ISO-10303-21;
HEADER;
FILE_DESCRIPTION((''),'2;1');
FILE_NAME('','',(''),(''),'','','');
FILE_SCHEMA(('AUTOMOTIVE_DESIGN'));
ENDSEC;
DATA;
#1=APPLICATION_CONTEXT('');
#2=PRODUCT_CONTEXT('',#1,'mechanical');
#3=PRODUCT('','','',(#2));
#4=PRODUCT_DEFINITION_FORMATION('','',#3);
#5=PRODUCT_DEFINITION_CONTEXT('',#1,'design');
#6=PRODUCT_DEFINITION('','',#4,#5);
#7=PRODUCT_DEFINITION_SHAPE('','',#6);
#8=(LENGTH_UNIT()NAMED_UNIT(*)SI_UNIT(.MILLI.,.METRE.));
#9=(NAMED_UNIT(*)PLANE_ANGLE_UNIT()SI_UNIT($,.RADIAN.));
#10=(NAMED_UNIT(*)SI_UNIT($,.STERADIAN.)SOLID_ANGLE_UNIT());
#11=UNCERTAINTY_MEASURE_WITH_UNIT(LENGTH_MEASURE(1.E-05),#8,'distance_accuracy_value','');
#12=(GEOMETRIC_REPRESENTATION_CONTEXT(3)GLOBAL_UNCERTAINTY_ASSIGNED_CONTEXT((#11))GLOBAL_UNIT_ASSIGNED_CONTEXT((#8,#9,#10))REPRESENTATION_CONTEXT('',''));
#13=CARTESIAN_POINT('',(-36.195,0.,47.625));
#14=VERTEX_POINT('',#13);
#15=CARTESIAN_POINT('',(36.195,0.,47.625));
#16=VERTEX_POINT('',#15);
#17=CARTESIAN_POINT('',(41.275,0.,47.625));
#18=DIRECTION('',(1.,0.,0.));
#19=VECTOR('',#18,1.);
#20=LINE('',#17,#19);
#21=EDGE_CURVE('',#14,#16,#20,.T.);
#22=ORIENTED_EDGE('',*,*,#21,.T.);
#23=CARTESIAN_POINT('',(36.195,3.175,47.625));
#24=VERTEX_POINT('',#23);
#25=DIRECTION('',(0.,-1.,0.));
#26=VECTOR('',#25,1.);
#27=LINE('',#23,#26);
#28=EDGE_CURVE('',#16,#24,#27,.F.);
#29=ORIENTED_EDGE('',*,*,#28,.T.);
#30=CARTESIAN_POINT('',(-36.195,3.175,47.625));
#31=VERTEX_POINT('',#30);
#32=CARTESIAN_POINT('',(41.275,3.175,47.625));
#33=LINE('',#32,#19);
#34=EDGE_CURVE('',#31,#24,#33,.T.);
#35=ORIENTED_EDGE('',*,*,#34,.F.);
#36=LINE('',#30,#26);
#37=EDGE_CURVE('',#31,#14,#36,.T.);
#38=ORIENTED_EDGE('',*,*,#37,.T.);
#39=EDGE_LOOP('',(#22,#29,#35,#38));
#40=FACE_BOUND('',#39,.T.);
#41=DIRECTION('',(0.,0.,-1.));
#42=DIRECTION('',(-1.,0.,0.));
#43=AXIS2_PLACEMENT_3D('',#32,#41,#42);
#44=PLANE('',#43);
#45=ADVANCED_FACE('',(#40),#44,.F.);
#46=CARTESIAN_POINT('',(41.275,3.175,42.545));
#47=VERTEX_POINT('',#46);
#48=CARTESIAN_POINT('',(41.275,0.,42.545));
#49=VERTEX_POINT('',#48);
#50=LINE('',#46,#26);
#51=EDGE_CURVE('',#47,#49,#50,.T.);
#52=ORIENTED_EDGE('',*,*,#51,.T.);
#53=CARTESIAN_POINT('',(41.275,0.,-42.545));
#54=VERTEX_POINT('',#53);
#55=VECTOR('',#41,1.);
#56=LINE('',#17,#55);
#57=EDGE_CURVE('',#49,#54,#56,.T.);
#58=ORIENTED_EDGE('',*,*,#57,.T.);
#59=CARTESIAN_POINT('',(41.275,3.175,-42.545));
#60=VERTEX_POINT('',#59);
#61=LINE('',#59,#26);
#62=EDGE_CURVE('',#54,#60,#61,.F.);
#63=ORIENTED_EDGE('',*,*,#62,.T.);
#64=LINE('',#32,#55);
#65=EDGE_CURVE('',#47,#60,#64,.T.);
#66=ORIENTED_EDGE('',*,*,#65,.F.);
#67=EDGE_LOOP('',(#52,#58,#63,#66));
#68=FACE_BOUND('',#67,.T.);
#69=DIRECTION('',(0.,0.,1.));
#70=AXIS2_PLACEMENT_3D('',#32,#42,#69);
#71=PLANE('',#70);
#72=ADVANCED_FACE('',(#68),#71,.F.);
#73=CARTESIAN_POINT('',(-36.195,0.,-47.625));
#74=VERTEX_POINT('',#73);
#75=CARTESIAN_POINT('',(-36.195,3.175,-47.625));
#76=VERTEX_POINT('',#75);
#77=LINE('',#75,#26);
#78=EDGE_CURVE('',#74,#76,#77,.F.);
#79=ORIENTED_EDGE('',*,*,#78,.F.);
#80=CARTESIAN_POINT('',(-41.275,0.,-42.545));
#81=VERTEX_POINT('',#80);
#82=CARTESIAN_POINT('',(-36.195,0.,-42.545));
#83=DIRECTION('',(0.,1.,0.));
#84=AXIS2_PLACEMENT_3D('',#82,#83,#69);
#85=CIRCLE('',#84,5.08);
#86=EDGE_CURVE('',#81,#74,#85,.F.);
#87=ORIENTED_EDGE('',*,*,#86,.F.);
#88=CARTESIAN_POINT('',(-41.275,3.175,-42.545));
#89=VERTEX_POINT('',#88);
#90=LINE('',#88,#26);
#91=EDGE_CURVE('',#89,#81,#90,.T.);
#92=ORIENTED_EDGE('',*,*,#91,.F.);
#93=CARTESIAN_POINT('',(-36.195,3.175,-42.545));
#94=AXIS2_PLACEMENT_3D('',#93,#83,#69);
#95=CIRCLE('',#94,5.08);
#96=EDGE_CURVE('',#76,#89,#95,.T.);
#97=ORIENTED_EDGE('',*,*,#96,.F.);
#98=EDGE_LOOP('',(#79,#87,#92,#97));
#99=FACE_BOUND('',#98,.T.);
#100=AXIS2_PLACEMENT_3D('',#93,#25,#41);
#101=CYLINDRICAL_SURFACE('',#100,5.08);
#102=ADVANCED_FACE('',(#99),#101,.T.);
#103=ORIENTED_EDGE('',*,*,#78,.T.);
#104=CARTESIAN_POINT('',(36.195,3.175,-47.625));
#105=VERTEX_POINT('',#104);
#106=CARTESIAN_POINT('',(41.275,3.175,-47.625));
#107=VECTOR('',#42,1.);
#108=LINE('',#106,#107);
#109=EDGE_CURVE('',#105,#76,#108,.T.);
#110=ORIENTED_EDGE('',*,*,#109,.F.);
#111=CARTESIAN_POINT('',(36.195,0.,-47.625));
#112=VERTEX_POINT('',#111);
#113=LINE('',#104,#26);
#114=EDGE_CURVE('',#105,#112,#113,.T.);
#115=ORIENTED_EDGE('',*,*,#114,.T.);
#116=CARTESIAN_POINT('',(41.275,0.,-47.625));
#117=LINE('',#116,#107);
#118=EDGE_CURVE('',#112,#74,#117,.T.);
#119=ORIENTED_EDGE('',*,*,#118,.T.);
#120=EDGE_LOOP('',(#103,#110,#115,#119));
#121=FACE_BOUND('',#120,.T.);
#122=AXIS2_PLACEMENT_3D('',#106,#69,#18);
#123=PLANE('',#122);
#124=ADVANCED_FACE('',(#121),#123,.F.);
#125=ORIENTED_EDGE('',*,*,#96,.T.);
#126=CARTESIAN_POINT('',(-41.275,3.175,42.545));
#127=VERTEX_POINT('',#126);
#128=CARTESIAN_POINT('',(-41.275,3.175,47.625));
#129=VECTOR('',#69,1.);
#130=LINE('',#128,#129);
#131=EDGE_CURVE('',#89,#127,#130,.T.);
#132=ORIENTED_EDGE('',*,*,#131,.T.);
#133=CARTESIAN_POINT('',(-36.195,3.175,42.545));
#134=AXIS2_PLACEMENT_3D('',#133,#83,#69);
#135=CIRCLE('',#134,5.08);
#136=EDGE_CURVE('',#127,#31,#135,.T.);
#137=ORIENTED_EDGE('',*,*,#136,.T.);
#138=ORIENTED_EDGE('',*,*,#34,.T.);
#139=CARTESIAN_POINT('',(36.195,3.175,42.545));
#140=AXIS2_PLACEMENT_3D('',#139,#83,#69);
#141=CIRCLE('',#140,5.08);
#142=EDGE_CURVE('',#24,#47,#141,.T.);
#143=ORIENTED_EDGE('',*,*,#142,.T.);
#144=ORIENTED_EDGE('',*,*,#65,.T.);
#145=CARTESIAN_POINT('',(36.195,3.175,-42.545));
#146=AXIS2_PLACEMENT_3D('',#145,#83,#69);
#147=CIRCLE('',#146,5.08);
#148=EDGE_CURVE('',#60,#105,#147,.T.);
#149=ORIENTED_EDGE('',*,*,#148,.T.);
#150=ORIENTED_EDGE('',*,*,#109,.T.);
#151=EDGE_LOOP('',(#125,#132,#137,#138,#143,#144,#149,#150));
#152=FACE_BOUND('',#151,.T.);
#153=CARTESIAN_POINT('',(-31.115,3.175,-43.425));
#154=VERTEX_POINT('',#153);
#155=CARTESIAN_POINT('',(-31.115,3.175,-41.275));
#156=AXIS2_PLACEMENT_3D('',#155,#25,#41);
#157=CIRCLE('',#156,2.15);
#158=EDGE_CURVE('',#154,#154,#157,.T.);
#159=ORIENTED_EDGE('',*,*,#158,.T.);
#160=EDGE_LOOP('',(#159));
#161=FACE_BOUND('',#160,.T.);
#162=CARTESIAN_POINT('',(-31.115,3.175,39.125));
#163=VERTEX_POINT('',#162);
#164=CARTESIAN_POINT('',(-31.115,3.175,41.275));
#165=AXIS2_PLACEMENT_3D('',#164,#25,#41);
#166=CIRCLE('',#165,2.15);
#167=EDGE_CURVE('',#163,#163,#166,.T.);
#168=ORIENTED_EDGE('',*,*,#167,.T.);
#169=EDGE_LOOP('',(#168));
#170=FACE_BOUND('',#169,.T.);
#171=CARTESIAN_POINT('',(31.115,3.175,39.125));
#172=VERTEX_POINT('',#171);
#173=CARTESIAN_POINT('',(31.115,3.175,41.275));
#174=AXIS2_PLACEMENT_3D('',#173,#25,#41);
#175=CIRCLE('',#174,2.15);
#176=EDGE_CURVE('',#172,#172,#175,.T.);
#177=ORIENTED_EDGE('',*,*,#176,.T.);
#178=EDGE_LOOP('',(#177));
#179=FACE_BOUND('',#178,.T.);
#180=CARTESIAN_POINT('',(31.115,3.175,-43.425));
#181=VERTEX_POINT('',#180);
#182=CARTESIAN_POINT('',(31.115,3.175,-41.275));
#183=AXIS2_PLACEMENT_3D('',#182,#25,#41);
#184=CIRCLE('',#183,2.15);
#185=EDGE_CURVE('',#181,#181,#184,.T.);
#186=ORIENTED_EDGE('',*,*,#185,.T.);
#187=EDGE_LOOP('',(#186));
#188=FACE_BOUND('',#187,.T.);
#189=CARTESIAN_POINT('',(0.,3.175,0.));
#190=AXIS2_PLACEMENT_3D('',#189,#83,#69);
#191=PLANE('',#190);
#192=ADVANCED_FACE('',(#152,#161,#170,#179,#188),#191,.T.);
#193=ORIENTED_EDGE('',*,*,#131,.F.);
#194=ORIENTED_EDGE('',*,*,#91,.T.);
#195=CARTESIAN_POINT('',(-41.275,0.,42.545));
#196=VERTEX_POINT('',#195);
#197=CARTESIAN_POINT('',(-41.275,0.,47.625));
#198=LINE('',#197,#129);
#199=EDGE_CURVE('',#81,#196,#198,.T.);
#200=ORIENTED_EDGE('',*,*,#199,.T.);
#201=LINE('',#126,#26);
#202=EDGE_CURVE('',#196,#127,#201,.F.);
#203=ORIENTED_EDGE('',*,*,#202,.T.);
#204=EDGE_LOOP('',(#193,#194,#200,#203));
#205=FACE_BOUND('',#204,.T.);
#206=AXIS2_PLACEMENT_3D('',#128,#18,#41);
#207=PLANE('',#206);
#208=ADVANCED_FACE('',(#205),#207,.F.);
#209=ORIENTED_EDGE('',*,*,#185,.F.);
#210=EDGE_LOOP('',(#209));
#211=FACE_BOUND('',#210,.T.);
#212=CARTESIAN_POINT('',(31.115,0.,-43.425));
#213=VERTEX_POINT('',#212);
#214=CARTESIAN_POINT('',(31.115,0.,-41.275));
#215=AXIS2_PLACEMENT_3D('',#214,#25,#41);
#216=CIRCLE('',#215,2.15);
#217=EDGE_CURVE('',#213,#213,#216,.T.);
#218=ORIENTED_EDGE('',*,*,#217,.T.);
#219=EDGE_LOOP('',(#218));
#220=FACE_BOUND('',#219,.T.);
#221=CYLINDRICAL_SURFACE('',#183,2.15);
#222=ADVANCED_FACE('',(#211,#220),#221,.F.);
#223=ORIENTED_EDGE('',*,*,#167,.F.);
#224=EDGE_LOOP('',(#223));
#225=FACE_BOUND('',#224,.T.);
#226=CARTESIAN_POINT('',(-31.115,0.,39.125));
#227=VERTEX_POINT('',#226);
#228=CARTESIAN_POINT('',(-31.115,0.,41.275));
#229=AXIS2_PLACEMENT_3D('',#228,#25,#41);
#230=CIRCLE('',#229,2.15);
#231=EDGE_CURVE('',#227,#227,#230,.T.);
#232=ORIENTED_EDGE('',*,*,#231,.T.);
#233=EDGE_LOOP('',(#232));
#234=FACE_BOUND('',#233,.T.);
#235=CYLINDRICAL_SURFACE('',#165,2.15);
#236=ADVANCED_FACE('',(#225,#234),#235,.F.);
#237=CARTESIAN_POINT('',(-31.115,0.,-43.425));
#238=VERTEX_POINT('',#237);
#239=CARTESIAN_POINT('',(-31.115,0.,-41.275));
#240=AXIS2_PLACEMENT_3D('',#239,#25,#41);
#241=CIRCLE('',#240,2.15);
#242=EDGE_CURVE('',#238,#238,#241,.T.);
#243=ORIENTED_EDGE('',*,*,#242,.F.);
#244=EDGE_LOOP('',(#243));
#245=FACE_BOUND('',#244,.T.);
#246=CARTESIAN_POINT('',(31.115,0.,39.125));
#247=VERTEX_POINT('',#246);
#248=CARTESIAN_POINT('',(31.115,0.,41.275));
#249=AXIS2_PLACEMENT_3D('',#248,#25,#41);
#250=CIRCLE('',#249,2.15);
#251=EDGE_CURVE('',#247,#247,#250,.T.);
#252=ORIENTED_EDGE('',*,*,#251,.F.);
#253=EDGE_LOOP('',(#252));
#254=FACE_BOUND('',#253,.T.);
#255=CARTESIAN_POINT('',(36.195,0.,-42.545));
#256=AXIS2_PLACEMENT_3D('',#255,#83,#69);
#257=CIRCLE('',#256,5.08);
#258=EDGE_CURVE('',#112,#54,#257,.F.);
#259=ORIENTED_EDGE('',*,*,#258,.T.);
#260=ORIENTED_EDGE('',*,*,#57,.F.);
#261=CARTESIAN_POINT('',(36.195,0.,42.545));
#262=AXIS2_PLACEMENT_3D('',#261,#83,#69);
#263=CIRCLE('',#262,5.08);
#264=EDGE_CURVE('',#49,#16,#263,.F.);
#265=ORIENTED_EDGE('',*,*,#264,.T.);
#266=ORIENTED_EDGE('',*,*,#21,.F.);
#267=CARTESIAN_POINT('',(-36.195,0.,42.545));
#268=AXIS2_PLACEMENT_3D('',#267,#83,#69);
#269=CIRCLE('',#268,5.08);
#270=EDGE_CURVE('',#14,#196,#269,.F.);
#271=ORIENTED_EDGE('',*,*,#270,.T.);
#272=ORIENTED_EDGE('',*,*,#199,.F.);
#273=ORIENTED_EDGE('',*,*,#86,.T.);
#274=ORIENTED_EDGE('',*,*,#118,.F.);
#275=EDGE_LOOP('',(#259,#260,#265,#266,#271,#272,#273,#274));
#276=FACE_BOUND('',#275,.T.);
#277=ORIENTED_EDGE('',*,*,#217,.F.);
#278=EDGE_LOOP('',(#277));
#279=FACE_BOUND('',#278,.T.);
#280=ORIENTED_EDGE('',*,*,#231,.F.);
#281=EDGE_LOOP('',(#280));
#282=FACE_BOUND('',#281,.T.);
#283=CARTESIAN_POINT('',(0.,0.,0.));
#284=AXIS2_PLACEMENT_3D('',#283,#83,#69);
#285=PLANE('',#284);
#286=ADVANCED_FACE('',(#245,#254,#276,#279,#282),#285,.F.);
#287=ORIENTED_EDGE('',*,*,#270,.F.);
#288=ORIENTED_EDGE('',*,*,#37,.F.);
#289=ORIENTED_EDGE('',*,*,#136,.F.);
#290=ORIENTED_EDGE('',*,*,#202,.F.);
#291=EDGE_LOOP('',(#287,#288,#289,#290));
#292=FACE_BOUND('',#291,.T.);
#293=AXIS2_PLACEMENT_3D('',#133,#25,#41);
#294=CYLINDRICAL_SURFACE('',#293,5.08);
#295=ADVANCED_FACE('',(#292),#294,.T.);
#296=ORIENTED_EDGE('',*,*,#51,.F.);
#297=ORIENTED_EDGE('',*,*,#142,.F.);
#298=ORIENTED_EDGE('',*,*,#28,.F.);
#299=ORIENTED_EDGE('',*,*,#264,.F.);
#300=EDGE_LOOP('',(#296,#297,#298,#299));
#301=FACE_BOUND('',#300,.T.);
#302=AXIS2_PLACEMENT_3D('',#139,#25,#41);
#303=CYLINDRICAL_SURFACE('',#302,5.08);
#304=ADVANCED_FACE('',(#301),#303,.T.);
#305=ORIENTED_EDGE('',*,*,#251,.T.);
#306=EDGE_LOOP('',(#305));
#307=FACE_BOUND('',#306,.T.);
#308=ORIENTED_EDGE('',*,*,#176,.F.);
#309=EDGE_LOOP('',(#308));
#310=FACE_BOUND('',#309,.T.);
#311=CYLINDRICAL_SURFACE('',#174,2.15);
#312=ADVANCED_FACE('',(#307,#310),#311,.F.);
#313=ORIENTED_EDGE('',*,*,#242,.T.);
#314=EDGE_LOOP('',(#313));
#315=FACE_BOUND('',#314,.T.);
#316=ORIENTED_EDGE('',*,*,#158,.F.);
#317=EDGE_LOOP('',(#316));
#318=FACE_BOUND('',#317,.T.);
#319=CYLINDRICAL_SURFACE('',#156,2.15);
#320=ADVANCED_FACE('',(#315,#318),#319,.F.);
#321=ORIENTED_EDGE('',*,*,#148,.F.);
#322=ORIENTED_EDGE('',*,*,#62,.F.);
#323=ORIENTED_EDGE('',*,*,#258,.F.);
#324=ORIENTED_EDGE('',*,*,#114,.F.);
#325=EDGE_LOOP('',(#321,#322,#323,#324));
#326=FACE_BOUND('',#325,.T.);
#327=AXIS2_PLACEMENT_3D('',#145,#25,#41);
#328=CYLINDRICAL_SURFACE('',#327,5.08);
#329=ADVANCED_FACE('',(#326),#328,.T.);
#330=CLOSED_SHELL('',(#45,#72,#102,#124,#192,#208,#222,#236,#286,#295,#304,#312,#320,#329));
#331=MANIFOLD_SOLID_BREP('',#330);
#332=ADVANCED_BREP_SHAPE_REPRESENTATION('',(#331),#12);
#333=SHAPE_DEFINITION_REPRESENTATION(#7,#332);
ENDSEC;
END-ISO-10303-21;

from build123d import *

# Parameters (mm, degrees)
SKETCH1_W             = 82.55
SKETCH1_H             = 95.25
MAIN_EXTRUSION_DEPTH  = 3.175
SKETCH2_R             = 2.15
STAND_OFF_HOLES_DEPTH = 64.101876953
FILLET1_R             = 5.08


with BuildPart() as part:
    # Sketch1 → Main Extrusion (new body)
    with BuildSketch(Plane(origin=(0, 0, 0), x_dir=(1, 0, 0), z_dir=(0, 1, 0))):
        Rectangle(SKETCH1_W, SKETCH1_H)
    extrude(amount=MAIN_EXTRUSION_DEPTH)

    # Sketch2 → Stand off holes (cut, through all)
    with BuildSketch(Plane(origin=(0, 0, 0), x_dir=(-1, 0, 0), z_dir=(0, -1, 0))):
        with Locations(Location((-31.115, -41.275, 0), (0, 0, 90))):
            Circle(SKETCH2_R)
        with Locations(Location((-31.115, 41.275, 0), (0, 0, 90))):
            Circle(SKETCH2_R)
        with Locations(Location((31.115, 41.275, 0), (0, 0, 90))):
            Circle(SKETCH2_R)
        with Locations(Location((31.115, -41.275, 0), (0, 0, 90))):
            Circle(SKETCH2_R)
    extrude(amount=-STAND_OFF_HOLES_DEPTH, mode=Mode.SUBTRACT)

    # Fillet1
    fillet1_edges = [part.edges().sort_by_distance(p)[0] for p in [
        (-41.275, 1.5875, -47.625),
        (41.275, 1.5875, -47.625),
        (41.275, 1.5875, 47.625),
        (-41.275, 1.5875, 47.625),
    ]]
    fillet(fillet1_edges, radius=FILLET1_R)


solid = part.part
